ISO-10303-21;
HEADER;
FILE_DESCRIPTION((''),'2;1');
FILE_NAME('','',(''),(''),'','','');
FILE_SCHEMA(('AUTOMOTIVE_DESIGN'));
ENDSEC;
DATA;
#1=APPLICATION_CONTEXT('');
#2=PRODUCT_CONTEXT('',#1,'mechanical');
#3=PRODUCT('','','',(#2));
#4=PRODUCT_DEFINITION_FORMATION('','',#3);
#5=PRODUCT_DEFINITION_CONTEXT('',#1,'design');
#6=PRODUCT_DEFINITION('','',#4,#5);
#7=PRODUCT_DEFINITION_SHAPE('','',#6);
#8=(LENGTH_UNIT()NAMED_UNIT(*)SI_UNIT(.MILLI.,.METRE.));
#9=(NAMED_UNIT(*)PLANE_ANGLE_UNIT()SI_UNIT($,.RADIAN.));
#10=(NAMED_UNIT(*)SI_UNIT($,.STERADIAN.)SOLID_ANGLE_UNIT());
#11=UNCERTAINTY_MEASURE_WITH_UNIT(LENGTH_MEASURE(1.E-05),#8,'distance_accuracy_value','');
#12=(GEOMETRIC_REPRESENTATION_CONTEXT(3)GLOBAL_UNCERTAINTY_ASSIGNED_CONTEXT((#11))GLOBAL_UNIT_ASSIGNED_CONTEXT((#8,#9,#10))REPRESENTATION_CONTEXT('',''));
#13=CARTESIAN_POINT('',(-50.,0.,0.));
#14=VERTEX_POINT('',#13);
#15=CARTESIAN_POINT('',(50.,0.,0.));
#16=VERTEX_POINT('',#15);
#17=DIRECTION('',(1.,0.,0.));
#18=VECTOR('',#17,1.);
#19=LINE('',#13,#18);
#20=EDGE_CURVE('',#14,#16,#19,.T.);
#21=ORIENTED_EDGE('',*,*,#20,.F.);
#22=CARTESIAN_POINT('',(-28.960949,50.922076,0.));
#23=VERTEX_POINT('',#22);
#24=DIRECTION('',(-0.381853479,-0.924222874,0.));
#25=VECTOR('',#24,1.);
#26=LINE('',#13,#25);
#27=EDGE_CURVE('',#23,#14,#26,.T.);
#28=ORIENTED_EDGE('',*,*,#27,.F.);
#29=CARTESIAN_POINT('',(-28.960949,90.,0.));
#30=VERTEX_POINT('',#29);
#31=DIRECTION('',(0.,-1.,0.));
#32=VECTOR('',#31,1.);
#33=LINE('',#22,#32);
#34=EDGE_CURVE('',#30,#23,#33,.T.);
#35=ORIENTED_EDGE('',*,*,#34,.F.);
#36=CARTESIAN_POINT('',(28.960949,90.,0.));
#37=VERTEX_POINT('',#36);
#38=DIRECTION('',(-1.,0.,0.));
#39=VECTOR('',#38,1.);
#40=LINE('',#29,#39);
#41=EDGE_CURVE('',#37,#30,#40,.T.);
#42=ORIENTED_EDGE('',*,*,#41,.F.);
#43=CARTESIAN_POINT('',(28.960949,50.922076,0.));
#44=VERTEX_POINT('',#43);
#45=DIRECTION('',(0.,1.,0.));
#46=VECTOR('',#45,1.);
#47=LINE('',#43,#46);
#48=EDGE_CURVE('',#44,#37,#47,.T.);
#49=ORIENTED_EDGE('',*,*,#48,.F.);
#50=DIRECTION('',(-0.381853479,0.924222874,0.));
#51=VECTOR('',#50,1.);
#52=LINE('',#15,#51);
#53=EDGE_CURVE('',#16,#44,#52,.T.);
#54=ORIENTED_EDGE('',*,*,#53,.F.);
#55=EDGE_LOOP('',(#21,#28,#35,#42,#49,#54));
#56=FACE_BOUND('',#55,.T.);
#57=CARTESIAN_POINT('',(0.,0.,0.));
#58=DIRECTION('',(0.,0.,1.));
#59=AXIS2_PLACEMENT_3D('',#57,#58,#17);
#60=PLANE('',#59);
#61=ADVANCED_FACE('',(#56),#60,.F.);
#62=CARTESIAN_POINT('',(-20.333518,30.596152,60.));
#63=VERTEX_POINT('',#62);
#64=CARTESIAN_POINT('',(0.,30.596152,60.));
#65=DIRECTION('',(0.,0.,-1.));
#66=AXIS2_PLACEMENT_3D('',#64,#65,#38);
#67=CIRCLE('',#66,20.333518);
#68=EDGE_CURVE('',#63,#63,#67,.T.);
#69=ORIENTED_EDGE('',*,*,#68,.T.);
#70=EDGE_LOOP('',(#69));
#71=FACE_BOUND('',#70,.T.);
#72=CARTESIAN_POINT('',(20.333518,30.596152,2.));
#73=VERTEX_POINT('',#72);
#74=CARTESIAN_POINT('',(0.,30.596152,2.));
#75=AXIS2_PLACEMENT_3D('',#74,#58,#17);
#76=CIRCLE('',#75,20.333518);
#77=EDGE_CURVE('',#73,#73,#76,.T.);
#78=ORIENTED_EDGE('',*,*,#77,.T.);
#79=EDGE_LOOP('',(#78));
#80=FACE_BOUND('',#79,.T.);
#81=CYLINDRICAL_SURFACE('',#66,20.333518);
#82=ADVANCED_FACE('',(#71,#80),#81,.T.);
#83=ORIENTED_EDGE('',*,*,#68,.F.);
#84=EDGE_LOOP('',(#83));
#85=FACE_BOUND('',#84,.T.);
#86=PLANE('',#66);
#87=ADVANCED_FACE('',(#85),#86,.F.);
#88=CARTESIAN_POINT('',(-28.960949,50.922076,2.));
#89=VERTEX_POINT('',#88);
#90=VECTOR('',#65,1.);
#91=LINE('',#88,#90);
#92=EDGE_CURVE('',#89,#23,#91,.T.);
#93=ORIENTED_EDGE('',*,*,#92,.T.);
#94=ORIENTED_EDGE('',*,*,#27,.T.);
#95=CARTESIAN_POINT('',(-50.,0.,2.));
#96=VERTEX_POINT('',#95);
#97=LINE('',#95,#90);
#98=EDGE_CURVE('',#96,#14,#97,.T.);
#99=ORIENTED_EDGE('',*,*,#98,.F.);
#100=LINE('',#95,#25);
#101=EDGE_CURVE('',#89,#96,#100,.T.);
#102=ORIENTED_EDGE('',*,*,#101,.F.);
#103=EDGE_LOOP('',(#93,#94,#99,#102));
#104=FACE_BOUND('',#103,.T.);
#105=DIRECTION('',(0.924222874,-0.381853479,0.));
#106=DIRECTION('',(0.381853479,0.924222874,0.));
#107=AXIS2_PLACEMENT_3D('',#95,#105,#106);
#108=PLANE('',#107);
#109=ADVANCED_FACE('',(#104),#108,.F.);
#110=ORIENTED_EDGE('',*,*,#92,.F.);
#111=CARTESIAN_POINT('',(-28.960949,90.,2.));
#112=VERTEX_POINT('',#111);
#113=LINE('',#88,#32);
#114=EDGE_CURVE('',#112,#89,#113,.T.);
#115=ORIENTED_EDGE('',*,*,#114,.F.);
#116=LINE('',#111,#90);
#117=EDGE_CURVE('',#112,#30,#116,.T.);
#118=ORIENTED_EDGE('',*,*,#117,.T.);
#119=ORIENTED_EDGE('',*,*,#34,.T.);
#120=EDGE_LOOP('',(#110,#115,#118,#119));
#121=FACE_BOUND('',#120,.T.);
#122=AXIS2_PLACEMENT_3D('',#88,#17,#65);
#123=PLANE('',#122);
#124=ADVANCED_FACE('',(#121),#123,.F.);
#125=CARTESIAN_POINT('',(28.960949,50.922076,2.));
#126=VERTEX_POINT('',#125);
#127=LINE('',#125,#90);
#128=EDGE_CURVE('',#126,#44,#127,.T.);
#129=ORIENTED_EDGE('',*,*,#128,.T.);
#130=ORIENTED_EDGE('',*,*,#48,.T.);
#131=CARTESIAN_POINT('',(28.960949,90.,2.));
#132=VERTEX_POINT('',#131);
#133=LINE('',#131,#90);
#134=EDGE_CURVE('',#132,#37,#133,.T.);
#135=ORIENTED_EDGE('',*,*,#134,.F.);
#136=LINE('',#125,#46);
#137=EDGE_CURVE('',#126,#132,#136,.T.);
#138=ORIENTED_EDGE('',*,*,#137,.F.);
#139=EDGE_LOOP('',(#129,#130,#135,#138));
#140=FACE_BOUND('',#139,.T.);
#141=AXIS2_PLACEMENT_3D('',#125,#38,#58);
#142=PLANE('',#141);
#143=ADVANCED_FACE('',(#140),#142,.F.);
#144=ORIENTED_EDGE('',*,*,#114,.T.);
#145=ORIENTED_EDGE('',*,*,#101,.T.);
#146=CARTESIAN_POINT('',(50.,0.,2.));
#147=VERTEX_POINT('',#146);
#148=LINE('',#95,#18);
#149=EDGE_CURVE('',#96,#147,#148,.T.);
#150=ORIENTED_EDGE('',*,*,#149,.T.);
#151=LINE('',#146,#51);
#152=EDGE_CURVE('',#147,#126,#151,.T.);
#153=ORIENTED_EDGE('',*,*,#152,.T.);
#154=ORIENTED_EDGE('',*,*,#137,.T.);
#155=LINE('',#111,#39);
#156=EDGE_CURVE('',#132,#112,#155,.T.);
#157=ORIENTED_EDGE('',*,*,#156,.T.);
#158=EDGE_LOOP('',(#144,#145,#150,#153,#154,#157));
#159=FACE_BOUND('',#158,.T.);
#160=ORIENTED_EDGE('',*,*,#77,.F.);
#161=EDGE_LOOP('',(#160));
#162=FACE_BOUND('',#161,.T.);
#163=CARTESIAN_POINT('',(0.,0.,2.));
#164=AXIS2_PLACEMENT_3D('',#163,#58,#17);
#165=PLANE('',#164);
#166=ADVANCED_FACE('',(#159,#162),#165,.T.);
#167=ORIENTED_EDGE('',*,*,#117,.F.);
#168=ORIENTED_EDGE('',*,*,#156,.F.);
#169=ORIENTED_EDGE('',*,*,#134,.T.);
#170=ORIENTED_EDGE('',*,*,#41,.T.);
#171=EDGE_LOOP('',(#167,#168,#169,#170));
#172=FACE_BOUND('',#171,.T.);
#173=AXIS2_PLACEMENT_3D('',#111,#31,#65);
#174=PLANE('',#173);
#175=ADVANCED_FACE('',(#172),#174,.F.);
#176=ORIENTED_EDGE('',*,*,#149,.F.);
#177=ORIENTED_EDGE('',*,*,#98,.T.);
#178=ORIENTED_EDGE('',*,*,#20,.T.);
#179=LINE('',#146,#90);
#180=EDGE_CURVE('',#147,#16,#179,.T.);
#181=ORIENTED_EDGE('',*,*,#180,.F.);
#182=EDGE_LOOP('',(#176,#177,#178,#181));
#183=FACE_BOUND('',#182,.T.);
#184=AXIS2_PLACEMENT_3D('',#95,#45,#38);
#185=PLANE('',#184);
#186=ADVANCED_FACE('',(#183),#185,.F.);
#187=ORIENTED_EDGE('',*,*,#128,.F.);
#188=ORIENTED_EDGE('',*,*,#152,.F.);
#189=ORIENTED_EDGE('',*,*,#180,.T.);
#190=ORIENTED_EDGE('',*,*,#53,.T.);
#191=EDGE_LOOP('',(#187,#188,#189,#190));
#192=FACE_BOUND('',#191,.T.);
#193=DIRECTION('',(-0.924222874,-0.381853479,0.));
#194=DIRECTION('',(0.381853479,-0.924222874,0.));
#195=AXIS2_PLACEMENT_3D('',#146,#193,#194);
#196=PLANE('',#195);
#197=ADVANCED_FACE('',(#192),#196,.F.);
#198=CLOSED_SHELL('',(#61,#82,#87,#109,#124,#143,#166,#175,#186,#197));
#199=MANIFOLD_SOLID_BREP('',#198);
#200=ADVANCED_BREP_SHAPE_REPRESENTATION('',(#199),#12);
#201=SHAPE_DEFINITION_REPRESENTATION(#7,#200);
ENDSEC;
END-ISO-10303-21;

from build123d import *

# Parameters (mm, degrees)
EXTRUDE_1_DEPTH = 2
SKETCH_3_R      = 20.333518405
EXTRUDE_2_DEPTH = 60


with BuildPart() as part:
    # 草图1 → 凸台-拉伸1 (new body)
    with BuildSketch(Plane.XY):
        Polygon((-50, 0), (-28.960949348, 50.922075999), (-28.960949348, 90), (28.960949348, 90), (28.960949348, 50.922075999), (50, 0), align=None)
    extrude(amount=EXTRUDE_1_DEPTH)

    # 草图3 → 凸台-拉伸2 (add)
    with BuildSketch(Plane(origin=(0, 0, 0), x_dir=(-1, 0, 0), z_dir=(0, 0, -1))):
        with Locations((0, 30.596151571)):
            Circle(SKETCH_3_R)
    extrude(amount=-EXTRUDE_2_DEPTH)


solid = part.part
